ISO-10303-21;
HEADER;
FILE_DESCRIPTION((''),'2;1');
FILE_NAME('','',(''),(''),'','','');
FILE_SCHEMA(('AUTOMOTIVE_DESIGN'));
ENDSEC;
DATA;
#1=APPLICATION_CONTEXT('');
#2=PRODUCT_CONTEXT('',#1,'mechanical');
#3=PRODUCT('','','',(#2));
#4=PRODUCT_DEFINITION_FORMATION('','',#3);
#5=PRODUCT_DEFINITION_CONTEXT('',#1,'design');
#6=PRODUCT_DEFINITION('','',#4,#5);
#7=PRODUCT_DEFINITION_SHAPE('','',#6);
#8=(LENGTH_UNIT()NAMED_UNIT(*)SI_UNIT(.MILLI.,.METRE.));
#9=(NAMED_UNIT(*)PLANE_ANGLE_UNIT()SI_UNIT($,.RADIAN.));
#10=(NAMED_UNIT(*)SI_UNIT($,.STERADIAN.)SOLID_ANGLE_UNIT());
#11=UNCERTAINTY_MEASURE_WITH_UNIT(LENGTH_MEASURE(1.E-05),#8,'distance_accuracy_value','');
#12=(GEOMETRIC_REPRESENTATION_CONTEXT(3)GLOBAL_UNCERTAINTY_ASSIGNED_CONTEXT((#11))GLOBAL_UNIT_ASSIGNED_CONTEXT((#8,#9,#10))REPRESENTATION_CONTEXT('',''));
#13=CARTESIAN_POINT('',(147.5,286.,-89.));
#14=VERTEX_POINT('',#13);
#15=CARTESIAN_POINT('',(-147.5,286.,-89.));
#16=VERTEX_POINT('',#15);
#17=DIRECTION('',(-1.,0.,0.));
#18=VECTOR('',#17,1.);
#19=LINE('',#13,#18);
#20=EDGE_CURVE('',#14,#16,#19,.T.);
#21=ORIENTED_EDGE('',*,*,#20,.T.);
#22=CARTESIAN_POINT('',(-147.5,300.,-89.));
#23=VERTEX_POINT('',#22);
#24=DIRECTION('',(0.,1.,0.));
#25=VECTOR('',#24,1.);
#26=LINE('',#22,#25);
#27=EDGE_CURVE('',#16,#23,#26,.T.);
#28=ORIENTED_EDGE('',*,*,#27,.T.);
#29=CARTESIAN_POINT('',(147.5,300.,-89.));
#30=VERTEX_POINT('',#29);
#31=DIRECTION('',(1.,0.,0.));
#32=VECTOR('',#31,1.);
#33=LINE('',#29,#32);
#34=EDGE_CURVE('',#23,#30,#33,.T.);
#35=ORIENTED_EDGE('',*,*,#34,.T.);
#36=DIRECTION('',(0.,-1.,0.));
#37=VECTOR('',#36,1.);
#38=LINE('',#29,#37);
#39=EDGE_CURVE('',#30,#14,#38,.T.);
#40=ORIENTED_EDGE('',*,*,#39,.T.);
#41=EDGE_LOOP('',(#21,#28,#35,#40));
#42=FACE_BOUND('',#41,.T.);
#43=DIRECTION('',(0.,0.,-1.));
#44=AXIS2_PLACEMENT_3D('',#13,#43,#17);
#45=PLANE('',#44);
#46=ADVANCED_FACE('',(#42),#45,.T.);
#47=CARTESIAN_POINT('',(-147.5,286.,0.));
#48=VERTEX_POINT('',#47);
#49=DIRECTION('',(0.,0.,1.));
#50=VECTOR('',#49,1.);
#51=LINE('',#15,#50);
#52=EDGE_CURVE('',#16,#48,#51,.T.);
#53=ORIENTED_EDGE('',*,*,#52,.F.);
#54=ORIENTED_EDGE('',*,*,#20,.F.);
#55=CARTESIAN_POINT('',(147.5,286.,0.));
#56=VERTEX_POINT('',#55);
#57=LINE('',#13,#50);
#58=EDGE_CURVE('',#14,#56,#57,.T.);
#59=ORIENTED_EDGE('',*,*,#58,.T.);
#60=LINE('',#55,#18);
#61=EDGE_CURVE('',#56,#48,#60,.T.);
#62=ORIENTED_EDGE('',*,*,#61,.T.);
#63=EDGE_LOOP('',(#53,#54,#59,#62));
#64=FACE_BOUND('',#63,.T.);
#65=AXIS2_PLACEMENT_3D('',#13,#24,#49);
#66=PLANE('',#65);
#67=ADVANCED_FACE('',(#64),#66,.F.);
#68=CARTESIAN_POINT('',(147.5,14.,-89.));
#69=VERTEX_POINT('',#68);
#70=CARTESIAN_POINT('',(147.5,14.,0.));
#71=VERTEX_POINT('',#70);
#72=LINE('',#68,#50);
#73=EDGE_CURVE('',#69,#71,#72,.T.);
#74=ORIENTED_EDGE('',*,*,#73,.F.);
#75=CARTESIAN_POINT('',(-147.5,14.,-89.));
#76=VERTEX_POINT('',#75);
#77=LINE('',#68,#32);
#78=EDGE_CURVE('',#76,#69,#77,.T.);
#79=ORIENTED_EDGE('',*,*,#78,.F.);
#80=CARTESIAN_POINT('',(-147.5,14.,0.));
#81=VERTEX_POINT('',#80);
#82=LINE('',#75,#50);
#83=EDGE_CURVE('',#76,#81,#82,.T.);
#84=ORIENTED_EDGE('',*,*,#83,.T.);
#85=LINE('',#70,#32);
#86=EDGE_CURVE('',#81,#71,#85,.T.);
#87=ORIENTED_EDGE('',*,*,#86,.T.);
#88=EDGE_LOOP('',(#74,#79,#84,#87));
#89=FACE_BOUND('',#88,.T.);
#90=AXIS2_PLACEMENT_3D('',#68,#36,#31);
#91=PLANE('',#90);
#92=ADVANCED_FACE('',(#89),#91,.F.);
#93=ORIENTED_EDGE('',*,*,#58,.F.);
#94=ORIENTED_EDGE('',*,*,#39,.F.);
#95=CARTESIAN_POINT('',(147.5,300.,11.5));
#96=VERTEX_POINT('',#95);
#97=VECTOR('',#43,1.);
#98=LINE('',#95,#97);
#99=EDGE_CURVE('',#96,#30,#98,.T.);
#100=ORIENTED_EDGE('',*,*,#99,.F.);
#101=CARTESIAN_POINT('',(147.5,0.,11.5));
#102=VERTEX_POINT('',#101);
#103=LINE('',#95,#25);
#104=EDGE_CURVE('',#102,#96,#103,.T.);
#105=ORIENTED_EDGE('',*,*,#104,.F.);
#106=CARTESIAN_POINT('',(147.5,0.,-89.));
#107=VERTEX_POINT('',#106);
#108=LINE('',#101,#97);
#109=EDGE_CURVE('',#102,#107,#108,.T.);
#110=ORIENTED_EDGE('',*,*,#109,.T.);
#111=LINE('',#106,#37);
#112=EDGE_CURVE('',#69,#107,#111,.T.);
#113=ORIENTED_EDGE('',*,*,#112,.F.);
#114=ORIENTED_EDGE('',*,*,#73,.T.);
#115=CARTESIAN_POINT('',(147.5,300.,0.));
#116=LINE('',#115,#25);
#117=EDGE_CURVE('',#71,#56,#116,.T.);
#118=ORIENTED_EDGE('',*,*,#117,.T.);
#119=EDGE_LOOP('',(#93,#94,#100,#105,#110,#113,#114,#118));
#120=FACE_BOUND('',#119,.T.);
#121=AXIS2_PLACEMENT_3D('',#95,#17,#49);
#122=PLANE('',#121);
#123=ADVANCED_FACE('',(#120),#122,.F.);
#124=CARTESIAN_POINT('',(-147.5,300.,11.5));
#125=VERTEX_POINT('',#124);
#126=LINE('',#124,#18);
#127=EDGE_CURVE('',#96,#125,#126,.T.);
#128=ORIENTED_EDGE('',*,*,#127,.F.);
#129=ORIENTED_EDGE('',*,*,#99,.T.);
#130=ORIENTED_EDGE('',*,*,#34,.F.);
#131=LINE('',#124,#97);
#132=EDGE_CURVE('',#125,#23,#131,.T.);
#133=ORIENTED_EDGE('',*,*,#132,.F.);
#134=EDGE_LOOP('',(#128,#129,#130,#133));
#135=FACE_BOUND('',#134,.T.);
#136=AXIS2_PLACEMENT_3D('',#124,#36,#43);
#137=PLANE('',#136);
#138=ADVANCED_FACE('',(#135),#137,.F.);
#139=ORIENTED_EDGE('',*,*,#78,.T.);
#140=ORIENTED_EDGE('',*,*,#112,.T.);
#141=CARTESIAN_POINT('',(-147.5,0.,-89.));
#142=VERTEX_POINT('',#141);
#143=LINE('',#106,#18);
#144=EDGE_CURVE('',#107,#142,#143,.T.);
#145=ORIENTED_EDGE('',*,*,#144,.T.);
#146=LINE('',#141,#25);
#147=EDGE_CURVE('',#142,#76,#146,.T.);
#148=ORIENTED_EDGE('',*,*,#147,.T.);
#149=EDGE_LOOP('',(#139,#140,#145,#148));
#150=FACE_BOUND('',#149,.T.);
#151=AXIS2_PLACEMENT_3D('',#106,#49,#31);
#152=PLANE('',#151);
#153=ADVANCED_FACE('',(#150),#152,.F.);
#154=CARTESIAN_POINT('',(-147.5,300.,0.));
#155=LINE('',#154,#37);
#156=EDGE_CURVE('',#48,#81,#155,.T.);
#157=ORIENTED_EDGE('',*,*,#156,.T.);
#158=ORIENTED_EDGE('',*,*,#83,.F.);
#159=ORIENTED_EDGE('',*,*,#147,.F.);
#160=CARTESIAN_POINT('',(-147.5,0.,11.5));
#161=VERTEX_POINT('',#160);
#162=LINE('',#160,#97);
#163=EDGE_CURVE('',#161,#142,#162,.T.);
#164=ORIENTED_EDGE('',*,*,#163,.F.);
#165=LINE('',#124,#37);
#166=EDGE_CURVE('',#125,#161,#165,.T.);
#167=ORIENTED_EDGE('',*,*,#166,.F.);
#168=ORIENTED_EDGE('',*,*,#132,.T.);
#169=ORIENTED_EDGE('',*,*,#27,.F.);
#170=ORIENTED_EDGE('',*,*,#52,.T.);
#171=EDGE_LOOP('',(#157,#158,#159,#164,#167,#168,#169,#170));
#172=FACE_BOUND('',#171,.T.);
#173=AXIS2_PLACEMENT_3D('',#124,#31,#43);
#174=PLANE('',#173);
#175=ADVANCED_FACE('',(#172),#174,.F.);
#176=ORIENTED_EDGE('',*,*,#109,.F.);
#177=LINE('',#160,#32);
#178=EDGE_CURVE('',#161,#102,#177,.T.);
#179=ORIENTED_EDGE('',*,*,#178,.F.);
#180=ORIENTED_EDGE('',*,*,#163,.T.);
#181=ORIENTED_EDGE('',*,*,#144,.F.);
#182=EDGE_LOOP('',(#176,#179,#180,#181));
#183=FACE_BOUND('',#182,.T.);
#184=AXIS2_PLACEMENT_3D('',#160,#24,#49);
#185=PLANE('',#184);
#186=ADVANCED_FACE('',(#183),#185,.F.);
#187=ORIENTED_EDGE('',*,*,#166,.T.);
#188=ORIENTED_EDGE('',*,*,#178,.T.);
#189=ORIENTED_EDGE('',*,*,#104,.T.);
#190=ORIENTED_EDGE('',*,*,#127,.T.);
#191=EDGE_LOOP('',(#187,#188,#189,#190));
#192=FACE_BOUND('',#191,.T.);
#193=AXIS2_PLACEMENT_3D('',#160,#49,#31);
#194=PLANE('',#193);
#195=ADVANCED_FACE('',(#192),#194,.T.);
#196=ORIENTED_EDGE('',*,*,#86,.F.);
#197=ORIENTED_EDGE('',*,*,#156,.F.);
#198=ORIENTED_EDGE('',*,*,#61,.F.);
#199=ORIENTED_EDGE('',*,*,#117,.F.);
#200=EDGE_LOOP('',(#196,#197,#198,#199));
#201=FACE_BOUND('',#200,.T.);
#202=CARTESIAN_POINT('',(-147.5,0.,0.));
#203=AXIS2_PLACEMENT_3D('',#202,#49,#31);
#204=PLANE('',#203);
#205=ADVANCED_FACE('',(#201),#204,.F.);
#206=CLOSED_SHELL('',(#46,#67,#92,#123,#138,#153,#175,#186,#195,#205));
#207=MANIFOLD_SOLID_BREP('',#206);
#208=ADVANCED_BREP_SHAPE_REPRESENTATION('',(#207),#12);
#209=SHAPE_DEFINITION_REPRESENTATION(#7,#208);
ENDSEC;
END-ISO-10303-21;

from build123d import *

# Parameters (mm, degrees)
SKETCH_1_W        = 295
SKETCH_1_H        = 300
EXTRUDE_442_DEPTH = 11.5
SKETCH_2_W        = 295
SKETCH_2_H        = 14
EXTRUDE_1_DEPTH   = 89


with BuildPart() as part:
    # 草图1 → Extrude 442 (new body)
    with BuildSketch(Plane.XY):
        with Locations((0, 150)):
            Rectangle(SKETCH_1_W, SKETCH_1_H)
    extrude(amount=EXTRUDE_442_DEPTH)

    # 草图2 → 凸台-拉伸1 (add)
    with BuildSketch(Plane(origin=(0, 0, 0), x_dir=(-1, 0, 0), z_dir=(0, 0, -1))):
        with Locations((0, 293)):
            Rectangle(SKETCH_2_W, SKETCH_2_H)
        with Locations((0, 7)):
            Rectangle(SKETCH_2_W, SKETCH_2_H)
    extrude(amount=EXTRUDE_1_DEPTH)


solid = part.part
